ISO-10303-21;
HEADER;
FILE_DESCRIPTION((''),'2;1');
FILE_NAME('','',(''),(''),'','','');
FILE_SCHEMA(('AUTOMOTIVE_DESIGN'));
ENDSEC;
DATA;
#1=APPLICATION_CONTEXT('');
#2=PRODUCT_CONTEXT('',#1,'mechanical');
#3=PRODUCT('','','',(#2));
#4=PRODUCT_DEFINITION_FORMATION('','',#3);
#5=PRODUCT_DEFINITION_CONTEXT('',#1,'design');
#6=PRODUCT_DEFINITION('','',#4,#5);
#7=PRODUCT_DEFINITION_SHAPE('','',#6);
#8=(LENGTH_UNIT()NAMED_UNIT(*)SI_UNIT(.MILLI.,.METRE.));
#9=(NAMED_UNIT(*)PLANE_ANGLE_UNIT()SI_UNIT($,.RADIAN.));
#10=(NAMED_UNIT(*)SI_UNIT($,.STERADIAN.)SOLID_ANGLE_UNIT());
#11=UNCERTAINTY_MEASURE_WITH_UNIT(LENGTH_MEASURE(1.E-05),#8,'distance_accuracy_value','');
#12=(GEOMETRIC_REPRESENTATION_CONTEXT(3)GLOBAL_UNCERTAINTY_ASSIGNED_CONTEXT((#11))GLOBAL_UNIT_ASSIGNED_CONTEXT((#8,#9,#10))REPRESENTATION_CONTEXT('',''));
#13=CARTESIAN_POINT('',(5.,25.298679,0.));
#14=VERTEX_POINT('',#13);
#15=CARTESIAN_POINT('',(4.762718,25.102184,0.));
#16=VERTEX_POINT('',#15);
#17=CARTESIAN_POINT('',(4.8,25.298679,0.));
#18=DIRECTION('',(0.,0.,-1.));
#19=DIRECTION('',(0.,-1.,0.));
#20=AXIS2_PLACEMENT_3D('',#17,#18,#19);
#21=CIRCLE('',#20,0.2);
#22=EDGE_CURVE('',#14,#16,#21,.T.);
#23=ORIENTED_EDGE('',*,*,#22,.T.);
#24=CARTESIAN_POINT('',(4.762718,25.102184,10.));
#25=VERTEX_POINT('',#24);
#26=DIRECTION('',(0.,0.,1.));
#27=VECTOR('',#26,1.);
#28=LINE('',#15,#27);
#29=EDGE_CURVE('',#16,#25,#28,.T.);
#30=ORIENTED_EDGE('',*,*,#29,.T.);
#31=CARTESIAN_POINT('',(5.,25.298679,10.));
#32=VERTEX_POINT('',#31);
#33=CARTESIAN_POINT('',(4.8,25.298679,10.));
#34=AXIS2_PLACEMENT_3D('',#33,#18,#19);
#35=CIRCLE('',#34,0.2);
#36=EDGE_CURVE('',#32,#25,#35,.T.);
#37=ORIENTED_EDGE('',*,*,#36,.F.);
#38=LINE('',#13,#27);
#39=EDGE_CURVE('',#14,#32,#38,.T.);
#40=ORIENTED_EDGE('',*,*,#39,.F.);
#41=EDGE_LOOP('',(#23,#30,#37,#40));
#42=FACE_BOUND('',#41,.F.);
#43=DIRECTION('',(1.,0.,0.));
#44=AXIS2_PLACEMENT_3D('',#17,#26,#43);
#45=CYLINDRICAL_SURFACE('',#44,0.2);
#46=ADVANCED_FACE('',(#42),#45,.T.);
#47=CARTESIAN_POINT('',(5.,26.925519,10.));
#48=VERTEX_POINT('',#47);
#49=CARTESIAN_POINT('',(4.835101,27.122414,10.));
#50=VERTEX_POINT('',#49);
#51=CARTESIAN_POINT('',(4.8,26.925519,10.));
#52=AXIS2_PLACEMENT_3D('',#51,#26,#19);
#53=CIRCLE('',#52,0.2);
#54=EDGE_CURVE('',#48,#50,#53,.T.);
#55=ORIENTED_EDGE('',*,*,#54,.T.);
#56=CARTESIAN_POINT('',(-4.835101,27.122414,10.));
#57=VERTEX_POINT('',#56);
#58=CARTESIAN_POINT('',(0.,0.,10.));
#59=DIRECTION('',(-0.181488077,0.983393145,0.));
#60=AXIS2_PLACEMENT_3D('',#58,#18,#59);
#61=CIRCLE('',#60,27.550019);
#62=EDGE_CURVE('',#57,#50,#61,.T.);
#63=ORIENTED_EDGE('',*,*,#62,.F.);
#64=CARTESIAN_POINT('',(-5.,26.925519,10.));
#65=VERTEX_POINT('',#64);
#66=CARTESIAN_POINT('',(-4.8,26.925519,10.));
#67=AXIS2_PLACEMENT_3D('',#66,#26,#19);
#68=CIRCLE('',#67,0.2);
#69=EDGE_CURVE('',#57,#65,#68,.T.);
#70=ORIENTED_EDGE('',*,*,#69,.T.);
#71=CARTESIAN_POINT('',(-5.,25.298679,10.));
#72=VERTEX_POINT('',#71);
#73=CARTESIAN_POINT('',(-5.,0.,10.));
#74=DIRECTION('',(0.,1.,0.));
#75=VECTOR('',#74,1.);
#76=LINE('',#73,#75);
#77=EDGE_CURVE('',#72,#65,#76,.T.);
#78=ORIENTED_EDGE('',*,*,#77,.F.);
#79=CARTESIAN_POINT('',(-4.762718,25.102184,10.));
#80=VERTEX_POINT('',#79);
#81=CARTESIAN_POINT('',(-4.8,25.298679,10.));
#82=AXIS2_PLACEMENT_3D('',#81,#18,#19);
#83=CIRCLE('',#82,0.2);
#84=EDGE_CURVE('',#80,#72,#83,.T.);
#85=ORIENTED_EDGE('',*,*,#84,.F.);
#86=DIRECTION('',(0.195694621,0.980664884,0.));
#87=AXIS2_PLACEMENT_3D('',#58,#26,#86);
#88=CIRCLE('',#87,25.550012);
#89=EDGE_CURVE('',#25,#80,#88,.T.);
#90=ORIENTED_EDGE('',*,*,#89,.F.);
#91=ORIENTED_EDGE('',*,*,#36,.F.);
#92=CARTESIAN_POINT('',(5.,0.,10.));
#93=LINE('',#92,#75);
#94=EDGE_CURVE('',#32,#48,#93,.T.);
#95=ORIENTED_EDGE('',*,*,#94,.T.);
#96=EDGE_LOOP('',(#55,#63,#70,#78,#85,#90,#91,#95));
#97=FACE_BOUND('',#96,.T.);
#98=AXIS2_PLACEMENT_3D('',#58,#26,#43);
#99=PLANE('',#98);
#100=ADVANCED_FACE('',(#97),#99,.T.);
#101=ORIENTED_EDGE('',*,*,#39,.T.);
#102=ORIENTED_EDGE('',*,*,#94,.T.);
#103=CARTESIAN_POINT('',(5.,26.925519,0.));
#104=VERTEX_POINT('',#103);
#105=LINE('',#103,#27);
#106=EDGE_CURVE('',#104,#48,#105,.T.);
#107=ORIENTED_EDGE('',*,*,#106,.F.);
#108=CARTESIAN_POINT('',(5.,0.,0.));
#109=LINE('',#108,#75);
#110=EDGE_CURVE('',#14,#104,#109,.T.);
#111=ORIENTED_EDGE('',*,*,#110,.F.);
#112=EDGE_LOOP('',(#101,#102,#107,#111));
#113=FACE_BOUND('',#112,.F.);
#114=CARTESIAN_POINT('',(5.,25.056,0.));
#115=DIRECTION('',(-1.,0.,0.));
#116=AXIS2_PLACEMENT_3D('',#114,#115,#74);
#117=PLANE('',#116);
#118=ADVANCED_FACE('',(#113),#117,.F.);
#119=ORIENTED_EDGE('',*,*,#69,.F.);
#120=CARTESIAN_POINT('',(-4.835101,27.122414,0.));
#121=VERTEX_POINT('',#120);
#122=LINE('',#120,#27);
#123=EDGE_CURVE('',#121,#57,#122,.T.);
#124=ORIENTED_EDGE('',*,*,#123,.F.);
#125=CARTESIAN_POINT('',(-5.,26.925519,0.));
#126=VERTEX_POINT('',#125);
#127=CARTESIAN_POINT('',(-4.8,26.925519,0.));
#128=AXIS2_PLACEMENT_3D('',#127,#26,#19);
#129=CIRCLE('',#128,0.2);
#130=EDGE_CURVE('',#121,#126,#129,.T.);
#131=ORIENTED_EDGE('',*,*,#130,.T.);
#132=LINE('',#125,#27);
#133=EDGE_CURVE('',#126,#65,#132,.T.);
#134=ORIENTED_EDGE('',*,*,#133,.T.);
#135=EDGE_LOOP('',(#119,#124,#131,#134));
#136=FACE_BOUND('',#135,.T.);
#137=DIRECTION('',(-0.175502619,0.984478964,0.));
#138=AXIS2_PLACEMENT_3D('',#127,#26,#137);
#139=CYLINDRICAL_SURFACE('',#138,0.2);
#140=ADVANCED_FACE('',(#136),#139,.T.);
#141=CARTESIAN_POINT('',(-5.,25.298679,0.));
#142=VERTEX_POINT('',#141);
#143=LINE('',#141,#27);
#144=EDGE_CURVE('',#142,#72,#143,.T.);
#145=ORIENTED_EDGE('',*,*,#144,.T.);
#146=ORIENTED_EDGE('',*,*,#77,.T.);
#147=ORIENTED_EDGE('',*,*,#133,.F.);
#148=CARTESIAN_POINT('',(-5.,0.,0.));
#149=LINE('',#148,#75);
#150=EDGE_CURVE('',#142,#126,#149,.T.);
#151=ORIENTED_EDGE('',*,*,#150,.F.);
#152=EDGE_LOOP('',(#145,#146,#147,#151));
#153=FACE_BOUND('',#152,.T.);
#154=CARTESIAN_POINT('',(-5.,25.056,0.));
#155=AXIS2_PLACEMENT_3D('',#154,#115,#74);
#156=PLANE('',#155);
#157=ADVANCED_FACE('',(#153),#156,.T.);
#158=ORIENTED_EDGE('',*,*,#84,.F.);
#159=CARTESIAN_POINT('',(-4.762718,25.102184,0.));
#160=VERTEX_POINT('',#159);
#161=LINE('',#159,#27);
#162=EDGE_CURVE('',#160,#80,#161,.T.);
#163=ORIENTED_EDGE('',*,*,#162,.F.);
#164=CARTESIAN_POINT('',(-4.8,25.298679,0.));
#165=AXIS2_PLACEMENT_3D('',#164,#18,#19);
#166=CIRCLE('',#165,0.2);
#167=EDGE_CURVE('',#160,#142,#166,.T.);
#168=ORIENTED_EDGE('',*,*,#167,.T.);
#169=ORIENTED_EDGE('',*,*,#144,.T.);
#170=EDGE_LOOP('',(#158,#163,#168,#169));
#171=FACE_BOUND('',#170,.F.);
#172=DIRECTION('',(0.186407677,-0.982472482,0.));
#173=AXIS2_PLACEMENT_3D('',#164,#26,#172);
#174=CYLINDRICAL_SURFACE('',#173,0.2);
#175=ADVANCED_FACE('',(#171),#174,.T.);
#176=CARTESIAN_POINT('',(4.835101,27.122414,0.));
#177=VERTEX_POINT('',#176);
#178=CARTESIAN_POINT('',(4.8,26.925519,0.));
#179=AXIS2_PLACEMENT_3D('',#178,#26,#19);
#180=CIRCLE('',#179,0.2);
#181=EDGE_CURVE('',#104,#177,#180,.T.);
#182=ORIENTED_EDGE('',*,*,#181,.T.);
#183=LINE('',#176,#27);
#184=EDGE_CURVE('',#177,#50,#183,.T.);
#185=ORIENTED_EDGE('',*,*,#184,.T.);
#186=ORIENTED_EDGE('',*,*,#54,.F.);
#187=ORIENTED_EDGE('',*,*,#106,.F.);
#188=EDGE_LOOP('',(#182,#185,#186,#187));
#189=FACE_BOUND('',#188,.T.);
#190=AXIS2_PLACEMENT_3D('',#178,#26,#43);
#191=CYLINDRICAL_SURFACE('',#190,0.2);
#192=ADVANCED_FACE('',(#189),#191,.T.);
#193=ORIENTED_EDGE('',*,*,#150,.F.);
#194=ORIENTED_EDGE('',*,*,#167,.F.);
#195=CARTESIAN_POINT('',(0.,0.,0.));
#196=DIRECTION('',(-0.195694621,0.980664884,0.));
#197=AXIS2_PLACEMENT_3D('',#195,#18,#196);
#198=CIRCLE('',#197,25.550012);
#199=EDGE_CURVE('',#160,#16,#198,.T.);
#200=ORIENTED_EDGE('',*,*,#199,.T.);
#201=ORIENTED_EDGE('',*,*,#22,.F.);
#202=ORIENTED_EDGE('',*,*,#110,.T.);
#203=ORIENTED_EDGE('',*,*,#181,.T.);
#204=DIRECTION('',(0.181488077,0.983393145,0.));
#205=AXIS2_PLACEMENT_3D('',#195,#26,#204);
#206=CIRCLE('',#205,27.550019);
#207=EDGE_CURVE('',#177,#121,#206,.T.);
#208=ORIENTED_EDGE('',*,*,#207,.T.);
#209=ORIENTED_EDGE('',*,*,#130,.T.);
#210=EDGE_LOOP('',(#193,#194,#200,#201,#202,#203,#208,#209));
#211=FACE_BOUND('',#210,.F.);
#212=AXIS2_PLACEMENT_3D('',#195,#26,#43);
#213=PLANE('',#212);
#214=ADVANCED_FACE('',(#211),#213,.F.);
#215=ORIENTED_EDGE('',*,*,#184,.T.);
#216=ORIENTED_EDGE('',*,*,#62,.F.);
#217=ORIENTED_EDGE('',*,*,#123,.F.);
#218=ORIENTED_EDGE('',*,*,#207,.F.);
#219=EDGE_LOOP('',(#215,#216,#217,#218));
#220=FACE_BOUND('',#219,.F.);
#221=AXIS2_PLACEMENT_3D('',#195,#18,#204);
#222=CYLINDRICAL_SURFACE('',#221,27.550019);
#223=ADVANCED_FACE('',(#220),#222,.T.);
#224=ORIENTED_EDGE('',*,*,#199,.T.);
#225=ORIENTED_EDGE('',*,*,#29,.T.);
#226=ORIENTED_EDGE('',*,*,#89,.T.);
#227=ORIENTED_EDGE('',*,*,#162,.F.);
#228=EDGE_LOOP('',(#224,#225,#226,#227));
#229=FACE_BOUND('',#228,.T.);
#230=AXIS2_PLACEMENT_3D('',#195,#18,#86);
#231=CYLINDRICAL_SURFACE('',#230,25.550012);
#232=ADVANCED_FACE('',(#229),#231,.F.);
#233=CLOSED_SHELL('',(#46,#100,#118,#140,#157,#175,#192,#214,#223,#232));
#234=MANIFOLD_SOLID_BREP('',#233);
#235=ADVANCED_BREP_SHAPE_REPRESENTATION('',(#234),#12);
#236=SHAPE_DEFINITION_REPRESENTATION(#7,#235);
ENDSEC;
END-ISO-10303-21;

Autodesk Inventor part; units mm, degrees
ref_plane "YZ Plane" through (0, 0, 0) normal (1, 0, 0) x (0, 1, 0)
ref_plane "XZ Plane" through (0, 0, 0) normal (0, 1, 0) x (-1, 0, 0)
ref_plane "XY Plane" through (0, 0, 0) normal (0, 0, 1) x (1, 0, 0)
sketch "Sketch1" plane through (0, 0, 0) normal (0, 0, 1) x (1, 0, 0)
  arc A0 (5, 27.0925) -> (-5, 27.0925) centre (0, 0) ccw
  arc A1 (5, 25.056) -> (-5, 25.056) centre (0, 0) ccw
  line L0 (0, 0) -> (0, 34.5518)
  line L1 (-5, 0) -> (-5, 34.5518)
  line L2 (5, 0) -> (5, 34.5518)
  dimension "d0" = 55.1
  dimension "d1" = 2
  dimension "d2" = 10
  dimension "d3" = 5
extrude "Extrusion1" add sketch "Sketch1" along normal blind 10
fillet "Fillet1" radius 0.2 4 edges at (5, 27.0925, 5) (5, 25.056, 5) (-5, 27.0925, 5) (-5, 25.056, 5)
equation "\"d3\" = 0.5 * d2"
properties part number "arc_magnet_10_10_2"
